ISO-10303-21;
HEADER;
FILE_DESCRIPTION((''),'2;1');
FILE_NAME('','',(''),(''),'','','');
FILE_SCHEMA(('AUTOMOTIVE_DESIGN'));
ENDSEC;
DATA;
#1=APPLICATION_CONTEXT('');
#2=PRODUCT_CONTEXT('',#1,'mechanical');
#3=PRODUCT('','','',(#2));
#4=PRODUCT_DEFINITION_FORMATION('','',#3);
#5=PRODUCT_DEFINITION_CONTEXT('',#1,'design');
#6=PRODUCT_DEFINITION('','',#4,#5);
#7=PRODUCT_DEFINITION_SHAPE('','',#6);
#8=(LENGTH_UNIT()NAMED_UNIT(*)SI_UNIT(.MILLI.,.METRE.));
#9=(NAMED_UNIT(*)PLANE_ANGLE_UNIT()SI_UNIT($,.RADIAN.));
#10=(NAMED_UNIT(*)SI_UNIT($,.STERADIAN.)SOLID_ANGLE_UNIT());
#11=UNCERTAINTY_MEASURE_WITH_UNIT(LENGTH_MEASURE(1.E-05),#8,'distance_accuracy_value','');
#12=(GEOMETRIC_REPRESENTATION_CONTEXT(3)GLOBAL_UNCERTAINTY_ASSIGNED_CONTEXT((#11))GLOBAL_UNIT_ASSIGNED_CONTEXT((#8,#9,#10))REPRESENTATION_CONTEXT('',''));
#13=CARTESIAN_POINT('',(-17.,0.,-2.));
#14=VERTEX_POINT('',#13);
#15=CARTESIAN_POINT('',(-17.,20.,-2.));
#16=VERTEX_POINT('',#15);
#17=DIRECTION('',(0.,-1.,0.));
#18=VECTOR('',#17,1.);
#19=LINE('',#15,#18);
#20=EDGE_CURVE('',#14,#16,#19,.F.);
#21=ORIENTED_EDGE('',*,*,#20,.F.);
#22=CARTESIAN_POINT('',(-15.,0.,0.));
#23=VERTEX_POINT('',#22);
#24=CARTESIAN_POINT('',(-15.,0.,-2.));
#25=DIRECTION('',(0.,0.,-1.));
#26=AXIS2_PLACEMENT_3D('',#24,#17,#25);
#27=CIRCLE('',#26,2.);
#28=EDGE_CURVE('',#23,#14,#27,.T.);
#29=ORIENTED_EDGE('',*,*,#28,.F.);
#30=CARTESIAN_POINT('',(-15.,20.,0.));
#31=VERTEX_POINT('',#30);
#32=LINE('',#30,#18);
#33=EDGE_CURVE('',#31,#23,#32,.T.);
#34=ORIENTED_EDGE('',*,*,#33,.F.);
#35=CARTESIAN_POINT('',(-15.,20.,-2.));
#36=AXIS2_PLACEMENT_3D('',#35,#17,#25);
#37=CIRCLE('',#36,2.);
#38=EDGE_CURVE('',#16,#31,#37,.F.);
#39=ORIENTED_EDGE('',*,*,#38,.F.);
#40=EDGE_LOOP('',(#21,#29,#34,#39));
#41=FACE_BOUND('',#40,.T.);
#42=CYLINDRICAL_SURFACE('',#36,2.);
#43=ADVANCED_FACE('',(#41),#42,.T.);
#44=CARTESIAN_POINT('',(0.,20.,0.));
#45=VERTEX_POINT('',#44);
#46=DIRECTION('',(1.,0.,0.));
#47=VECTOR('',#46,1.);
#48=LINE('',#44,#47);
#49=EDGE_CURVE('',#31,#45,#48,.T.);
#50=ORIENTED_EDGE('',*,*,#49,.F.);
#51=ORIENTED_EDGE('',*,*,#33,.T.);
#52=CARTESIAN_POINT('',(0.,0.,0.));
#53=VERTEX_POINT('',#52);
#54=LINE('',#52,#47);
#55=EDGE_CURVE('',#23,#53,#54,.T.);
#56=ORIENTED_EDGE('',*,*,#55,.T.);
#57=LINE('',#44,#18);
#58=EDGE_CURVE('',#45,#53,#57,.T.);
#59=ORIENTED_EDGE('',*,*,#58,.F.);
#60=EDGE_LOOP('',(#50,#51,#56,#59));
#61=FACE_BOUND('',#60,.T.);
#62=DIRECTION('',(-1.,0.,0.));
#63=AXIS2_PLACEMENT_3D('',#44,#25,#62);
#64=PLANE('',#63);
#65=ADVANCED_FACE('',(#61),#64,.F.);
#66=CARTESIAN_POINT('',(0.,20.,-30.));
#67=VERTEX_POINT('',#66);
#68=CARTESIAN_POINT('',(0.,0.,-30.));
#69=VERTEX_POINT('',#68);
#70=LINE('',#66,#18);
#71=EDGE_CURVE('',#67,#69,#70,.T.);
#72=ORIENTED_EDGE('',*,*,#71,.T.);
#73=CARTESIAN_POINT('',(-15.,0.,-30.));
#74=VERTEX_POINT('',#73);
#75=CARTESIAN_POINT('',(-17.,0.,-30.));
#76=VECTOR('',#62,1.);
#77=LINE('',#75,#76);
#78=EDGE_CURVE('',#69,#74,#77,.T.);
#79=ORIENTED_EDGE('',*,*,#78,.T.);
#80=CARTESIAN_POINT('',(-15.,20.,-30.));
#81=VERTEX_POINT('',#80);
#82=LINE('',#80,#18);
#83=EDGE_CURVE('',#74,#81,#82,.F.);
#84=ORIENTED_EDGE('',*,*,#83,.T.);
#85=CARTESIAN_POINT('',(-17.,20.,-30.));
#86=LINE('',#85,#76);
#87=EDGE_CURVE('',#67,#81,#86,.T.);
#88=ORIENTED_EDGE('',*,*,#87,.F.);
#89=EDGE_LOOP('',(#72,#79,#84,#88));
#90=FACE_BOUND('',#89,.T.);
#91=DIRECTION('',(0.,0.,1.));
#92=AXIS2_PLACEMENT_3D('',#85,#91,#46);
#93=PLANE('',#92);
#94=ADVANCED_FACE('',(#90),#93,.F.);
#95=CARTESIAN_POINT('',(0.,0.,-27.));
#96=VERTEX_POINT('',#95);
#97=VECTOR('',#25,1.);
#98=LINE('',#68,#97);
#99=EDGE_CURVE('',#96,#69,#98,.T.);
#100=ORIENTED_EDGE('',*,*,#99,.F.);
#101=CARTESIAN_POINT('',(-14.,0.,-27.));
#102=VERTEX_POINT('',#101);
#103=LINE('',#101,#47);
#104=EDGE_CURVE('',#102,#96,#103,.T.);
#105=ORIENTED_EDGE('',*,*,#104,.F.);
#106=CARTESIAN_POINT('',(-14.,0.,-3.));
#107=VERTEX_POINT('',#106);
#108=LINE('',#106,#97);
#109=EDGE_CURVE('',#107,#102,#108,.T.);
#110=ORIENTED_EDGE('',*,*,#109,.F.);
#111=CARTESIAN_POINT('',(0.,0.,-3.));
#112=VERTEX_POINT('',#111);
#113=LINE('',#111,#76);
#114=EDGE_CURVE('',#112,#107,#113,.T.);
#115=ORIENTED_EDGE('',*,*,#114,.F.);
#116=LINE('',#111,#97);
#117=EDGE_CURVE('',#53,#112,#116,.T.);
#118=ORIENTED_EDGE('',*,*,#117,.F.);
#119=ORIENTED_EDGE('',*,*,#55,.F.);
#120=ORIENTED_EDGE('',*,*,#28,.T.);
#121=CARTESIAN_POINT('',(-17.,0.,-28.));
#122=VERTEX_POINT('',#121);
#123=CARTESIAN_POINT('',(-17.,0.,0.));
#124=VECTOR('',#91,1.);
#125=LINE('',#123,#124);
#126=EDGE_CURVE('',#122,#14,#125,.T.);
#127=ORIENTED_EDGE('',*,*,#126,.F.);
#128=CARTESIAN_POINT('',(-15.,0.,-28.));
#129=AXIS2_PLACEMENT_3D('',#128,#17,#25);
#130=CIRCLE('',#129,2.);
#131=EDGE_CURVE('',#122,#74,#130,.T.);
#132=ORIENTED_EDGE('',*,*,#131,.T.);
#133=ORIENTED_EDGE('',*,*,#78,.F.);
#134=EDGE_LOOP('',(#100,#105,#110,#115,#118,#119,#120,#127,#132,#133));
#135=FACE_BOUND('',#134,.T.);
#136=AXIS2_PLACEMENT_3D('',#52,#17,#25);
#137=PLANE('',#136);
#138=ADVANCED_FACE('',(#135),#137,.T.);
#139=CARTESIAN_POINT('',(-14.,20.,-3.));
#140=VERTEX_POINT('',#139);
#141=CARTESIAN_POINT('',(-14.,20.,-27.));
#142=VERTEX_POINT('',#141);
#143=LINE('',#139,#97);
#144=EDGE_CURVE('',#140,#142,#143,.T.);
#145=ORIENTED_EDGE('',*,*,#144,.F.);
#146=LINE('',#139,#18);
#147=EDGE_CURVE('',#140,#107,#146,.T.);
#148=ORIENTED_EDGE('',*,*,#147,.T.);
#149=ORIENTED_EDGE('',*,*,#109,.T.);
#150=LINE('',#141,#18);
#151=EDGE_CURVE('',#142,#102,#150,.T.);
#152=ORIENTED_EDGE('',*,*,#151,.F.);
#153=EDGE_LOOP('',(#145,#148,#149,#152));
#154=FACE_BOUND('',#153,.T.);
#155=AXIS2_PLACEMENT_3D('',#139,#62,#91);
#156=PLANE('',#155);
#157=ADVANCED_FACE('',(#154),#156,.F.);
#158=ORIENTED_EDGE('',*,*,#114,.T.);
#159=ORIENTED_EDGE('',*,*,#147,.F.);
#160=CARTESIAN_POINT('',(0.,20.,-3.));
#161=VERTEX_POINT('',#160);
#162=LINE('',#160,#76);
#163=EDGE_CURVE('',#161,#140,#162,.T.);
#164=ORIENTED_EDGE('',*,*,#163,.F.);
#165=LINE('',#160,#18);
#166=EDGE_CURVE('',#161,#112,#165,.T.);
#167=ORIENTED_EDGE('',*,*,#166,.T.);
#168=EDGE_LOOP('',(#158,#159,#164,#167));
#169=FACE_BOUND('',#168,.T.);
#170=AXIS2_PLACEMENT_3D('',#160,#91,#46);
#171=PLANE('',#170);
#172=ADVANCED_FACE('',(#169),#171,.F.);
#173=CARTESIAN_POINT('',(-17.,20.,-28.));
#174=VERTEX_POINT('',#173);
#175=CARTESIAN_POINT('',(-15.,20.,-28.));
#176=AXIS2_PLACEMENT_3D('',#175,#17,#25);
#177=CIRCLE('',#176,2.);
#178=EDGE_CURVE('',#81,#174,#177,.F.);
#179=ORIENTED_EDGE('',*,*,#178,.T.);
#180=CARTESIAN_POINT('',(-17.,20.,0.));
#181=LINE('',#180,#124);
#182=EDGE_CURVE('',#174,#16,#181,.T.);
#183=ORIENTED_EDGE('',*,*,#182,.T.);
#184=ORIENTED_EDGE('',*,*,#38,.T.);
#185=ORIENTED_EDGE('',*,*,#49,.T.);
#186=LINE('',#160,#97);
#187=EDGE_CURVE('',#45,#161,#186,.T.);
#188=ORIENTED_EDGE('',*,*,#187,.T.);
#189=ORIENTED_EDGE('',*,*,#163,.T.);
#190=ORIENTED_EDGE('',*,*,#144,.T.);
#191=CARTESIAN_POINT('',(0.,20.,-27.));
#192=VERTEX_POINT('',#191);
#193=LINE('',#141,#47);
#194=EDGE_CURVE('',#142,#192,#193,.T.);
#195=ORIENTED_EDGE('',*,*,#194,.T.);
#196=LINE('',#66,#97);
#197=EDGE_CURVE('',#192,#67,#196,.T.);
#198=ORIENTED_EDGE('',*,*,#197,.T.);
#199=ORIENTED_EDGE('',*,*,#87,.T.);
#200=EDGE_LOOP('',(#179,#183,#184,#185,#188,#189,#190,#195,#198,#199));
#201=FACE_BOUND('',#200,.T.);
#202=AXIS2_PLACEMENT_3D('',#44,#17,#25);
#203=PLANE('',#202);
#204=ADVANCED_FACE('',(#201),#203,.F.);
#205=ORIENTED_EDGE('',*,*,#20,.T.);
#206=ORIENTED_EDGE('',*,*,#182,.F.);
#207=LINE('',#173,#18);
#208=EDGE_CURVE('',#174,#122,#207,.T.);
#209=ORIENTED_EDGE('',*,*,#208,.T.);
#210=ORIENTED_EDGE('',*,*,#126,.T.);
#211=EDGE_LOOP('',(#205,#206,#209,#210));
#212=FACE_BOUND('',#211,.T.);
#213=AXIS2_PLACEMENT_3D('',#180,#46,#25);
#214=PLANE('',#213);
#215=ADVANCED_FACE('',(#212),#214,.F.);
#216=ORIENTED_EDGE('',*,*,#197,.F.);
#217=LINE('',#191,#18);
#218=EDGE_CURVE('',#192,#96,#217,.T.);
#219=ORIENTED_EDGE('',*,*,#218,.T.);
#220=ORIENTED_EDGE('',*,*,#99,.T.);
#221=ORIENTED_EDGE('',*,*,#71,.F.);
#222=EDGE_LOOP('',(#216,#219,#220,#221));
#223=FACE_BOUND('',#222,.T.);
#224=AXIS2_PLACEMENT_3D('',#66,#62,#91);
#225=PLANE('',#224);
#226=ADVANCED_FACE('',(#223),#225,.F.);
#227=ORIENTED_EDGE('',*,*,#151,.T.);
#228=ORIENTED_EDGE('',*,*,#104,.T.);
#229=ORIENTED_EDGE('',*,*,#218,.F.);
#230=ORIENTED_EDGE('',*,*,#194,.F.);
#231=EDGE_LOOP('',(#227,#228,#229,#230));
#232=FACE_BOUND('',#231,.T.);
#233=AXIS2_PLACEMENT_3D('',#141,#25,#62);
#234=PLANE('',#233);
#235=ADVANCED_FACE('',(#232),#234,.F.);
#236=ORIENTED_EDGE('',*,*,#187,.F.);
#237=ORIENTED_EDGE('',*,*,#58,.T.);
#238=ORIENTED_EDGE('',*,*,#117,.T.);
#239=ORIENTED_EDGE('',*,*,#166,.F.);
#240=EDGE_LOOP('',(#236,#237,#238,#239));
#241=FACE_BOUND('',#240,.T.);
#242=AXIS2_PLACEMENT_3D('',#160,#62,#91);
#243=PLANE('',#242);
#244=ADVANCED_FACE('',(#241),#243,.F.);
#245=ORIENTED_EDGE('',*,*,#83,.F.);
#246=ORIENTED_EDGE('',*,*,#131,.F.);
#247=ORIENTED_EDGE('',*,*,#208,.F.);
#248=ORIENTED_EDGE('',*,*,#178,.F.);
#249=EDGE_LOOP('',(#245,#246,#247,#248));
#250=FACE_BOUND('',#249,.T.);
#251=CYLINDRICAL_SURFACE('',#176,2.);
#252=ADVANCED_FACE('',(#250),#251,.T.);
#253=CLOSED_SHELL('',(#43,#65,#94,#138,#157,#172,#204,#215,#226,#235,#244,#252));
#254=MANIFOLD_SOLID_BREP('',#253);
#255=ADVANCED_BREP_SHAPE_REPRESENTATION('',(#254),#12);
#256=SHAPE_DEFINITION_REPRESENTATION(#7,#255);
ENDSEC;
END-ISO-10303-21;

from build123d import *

# Parameters (mm, degrees)
BOSS_EXTRUDE1_DEPTH = 20
FILLET1_R           = 2


with BuildPart() as part:
    # Sketch1 → Boss-Extrude1 (new body)
    with BuildSketch(Plane(origin=(0, 0, 0), x_dir=(1, 0, 0), z_dir=(0, 1, 0))):
        Polygon((0, 0), (-17, 0), (-17, 30), (0, 30), (0, 27), (-14, 27), (-14, 3), (0, 3), align=None)
    extrude(amount=BOSS_EXTRUDE1_DEPTH)

    # Fillet1
    fillet1_edges = [part.edges().sort_by_distance(p)[0] for p in [
        (-17, 10, 0),
        (-17, 10, -30),
    ]]
    fillet(fillet1_edges, radius=FILLET1_R)


solid = part.part
